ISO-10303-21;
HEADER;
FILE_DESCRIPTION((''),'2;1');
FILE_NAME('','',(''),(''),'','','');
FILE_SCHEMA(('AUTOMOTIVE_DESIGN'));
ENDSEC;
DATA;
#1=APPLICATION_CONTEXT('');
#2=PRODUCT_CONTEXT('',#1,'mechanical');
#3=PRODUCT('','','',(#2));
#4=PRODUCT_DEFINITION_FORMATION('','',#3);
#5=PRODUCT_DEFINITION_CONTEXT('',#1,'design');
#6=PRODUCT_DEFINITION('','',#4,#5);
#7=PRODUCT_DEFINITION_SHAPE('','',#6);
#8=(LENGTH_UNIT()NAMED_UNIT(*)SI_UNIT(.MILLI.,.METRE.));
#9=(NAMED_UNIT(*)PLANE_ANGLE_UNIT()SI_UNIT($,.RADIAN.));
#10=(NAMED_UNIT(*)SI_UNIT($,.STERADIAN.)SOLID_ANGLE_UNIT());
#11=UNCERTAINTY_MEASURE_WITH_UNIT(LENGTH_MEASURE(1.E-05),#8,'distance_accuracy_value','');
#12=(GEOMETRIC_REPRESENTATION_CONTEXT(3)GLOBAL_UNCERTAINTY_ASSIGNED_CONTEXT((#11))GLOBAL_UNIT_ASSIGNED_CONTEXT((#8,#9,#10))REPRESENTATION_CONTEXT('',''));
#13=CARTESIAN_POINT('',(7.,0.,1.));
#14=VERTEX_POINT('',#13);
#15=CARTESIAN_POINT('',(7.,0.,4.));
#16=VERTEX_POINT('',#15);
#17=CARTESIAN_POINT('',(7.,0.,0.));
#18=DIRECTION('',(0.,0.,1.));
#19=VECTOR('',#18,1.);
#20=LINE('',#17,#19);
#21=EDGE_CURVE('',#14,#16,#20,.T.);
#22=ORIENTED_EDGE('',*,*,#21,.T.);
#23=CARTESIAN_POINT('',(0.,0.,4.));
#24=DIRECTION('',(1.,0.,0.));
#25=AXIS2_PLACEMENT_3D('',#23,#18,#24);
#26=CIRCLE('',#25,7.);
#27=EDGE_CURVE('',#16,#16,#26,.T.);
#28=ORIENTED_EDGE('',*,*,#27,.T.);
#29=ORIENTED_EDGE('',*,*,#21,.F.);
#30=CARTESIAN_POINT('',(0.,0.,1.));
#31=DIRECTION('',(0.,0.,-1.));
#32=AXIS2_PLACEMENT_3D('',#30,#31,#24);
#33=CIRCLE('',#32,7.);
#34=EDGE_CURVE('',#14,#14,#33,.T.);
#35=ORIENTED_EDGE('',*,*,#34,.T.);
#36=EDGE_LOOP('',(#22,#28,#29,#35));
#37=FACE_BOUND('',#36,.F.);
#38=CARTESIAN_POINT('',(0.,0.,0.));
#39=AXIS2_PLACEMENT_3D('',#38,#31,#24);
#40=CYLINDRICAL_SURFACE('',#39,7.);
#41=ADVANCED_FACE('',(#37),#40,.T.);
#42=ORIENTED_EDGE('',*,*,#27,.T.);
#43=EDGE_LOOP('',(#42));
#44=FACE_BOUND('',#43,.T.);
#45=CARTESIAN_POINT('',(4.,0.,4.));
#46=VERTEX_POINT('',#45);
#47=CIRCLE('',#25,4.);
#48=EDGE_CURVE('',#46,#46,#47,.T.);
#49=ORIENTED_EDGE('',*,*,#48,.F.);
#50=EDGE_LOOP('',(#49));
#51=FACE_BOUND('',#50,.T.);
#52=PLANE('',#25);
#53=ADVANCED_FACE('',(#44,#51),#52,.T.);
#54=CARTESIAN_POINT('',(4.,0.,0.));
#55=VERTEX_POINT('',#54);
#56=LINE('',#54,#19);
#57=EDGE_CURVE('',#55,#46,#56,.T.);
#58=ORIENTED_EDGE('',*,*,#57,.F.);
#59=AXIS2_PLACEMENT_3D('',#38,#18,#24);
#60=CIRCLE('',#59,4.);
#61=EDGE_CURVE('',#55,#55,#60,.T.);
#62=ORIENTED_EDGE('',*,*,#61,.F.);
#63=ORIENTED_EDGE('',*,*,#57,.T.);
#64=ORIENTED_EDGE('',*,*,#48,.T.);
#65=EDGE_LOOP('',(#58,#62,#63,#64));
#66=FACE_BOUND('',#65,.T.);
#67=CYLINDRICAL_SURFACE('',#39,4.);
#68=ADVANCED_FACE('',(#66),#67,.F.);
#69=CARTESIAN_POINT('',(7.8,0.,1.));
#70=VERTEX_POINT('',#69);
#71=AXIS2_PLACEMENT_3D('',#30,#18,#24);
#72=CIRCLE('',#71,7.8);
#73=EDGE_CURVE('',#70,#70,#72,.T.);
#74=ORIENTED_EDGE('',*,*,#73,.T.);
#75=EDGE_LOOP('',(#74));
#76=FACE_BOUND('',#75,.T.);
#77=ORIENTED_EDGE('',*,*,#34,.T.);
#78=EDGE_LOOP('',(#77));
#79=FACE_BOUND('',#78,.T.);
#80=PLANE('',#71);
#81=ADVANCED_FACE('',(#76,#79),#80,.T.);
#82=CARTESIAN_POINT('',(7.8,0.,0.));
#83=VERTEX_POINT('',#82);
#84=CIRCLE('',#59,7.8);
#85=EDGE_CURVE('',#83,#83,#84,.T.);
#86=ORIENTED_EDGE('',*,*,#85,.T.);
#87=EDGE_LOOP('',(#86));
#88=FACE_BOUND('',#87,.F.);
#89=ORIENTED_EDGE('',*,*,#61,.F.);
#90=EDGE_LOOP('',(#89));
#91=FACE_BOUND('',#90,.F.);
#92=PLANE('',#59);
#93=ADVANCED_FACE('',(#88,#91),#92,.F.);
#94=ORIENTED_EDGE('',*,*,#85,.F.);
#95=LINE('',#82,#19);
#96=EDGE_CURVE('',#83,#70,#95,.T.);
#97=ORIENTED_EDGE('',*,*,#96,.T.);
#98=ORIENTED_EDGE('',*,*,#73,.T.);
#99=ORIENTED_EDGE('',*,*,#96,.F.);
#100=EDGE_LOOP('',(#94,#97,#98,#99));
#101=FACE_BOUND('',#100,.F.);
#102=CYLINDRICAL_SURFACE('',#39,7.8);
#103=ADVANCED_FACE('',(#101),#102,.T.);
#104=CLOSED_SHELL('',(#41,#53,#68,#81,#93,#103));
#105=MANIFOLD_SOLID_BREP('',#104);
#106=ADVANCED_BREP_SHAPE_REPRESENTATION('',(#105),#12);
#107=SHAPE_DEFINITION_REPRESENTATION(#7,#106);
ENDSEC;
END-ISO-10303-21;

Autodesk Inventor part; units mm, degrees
ref_plane "YZ Plane" through (0, 0, 0) normal (1, 0, 0) x (0, 1, 0)
ref_plane "XZ Plane" through (0, 0, 0) normal (0, 1, 0) x (-1, 0, 0)
ref_plane "XY Plane" through (0, 0, 0) normal (0, 0, 1) x (1, 0, 0)
sketch "Sketch1" plane through (0, 0, 0) normal (0, 0, 1) x (1, 0, 0)
  circle A0 centre (0, 0) radius 4
  circle A1 centre (0, 0) radius 7.8
  circle A2 centre (0, 0) radius 7
  dimension "d0" = 8
  dimension "d2" = 15.6
  dimension "d3" = 14
extrude "Extrusion1" add sketch "Sketch1" along normal blind 4 contours A2
extrude "Extrusion2" add sketch "Sketch1" along normal blind 1 contours A1 | A2
properties part number "DriveScrewFlangedJournalBearing"
